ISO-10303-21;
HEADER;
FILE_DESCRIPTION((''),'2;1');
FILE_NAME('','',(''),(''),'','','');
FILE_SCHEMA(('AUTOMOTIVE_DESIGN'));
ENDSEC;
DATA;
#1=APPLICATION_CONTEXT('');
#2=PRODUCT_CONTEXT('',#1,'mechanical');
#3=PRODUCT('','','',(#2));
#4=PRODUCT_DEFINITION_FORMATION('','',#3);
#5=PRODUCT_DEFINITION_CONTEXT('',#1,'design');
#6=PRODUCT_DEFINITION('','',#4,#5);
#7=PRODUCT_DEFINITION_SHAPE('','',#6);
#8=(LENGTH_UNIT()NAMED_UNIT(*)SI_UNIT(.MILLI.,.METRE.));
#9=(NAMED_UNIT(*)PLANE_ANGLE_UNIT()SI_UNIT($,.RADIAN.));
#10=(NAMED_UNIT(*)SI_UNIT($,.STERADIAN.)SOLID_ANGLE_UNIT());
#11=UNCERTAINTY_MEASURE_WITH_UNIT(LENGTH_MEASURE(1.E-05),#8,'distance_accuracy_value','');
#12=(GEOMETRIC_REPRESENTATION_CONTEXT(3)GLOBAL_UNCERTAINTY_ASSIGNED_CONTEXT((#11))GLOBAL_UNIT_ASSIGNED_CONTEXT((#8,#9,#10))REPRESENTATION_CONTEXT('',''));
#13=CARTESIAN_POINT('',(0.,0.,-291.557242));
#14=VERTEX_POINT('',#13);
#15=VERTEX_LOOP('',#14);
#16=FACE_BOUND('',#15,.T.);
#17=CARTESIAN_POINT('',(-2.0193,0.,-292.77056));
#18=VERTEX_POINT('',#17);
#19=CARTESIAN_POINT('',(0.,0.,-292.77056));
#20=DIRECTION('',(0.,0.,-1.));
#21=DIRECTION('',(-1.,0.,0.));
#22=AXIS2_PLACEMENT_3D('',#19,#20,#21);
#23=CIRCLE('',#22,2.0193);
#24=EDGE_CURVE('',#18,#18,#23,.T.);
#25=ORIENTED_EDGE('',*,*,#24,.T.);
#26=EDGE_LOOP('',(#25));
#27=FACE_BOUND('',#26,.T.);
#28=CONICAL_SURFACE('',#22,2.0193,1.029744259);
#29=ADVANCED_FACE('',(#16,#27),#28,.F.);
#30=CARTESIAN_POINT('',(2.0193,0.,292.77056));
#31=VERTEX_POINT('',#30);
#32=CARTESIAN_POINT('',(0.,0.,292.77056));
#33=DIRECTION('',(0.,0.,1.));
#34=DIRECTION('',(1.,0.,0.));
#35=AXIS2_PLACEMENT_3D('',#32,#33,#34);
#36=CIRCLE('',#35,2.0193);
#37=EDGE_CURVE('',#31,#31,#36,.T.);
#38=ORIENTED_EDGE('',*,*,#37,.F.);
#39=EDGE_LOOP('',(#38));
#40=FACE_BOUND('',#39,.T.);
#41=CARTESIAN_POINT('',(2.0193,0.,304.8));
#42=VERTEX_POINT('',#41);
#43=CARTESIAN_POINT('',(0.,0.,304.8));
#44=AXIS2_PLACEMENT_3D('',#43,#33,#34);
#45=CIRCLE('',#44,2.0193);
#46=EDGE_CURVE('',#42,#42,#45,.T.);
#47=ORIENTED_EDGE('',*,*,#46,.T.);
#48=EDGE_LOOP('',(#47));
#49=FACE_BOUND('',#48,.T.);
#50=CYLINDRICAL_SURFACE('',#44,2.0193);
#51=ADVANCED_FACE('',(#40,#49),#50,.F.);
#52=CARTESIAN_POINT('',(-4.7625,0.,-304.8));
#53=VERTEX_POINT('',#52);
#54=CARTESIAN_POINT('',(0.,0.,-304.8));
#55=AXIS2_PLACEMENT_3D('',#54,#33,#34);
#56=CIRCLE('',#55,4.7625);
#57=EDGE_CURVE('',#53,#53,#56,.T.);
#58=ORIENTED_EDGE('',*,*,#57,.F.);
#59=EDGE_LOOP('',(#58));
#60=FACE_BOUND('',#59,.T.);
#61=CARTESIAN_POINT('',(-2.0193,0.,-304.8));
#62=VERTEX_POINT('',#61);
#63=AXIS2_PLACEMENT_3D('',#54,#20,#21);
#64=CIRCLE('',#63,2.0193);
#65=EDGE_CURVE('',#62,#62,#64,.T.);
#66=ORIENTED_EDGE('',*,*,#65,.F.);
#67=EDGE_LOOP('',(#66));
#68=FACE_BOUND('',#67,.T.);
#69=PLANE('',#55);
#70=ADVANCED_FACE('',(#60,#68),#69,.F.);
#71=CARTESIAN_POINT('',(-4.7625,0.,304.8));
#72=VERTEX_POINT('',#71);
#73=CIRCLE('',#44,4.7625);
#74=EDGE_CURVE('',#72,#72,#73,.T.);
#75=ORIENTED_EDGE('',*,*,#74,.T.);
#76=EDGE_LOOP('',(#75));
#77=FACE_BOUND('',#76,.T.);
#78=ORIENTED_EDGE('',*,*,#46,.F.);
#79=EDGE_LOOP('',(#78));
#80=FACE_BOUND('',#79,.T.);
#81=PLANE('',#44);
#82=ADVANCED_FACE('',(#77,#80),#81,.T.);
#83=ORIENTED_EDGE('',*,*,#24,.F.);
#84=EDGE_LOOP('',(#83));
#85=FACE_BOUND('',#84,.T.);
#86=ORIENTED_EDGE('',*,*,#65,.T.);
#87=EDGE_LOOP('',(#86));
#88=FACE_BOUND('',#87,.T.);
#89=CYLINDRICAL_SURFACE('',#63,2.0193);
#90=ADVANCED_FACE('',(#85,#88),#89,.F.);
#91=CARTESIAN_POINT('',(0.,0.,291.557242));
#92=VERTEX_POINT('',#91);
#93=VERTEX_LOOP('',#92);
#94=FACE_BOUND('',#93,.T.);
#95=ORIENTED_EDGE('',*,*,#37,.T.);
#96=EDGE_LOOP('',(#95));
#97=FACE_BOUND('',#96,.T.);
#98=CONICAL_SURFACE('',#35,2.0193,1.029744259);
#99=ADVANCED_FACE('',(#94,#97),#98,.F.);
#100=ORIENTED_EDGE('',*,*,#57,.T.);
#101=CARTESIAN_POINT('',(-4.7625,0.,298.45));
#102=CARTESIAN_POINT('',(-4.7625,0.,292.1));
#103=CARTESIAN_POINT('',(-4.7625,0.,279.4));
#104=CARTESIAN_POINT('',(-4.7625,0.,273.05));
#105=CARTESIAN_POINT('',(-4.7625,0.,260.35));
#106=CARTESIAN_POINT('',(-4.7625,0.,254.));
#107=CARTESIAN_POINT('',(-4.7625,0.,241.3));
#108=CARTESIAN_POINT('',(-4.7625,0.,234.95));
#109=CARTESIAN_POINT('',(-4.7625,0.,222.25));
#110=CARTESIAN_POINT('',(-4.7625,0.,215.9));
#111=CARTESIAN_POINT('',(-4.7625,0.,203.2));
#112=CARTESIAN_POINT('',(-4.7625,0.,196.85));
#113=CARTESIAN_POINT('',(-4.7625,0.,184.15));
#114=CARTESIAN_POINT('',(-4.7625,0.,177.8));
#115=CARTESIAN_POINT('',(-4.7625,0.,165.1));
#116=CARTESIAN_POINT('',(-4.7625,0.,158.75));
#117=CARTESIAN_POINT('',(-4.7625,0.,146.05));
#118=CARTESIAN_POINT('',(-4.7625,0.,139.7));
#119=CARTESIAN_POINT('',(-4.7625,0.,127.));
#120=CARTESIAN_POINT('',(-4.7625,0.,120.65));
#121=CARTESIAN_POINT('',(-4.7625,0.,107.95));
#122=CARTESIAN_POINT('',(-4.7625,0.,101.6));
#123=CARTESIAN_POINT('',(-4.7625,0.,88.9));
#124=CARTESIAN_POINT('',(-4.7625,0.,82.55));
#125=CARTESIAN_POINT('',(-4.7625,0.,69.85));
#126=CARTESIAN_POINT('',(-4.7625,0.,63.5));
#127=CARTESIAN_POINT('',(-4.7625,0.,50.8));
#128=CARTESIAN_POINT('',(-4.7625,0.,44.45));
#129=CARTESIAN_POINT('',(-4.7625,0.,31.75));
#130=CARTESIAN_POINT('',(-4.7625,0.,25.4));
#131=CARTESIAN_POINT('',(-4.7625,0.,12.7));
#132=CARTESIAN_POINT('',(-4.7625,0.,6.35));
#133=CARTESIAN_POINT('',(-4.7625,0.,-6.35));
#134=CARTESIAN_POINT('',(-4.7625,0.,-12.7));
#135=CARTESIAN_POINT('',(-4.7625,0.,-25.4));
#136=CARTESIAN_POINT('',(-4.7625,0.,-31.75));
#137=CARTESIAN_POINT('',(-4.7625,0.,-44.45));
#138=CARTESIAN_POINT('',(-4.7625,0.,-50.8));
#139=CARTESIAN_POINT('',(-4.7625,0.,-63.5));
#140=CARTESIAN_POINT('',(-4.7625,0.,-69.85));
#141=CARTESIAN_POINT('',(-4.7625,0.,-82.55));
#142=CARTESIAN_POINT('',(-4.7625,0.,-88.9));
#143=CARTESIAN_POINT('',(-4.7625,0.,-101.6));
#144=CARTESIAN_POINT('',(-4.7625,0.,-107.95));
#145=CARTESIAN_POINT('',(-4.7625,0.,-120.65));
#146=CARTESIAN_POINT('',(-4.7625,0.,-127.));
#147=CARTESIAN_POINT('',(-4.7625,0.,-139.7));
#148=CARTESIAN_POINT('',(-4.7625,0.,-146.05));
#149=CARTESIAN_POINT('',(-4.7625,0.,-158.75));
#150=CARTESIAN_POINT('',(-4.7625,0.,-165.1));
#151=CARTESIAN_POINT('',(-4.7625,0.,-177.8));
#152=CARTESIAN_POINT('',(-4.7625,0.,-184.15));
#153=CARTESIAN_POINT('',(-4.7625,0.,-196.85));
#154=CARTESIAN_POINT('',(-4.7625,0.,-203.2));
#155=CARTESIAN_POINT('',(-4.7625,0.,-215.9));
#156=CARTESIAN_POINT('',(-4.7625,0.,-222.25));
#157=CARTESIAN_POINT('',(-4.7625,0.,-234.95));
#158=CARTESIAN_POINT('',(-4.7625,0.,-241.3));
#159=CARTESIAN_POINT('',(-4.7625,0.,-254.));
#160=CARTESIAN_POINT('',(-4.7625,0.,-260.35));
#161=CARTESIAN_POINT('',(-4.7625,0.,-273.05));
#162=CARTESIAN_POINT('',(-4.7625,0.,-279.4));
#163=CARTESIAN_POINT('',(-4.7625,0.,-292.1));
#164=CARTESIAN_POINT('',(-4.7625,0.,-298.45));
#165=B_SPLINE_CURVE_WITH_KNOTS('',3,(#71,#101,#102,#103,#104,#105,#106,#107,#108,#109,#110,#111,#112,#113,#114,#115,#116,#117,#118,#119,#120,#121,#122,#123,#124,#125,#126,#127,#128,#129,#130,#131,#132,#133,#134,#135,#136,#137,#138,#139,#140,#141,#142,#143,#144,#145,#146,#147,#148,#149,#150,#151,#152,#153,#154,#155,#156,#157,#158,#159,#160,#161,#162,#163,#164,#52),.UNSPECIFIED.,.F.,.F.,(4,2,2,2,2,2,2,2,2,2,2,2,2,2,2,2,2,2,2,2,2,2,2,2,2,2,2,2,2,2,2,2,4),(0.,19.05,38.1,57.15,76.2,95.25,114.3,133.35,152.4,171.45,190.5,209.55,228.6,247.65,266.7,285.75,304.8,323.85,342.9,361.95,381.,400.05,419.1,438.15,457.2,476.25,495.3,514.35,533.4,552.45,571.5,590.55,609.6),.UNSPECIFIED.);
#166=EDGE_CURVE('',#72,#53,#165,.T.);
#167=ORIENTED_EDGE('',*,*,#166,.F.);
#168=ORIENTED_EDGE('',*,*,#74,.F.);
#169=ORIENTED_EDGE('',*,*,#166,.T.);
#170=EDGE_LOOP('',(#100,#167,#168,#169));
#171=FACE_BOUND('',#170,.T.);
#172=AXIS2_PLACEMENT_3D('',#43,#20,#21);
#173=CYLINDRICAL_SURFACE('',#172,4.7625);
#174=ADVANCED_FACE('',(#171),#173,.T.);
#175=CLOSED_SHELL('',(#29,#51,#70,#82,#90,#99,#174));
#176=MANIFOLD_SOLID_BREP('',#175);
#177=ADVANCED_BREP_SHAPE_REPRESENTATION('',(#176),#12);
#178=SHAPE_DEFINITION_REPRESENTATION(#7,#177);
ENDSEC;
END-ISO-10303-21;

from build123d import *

# Parameters (mm, degrees)
SKETCH1_R                            = 4.7625
BOSS_EXTRUDE1_DEPTH                  = 304.8
F_10_32_TAPPED_HOLE1_D               = 4.0386
F_10_32_TAPPED_HOLE1_DEPTH           = 12.02944
F_10_32_TAPPED_HOLE1_TIP             = 1.213317848
F_10_32_TAPPED_HOLE1_ON_FACE_2_D     = 4.0386
F_10_32_TAPPED_HOLE1_ON_FACE_2_DEPTH = 12.02944
F_10_32_TAPPED_HOLE1_ON_FACE_2_TIP   = 1.213317848


with BuildPart() as part:
    # Sketch1 → Boss-Extrude1 (new, symmetric)
    with BuildSketch(Plane.XY):
        with Locations(Location((0, 0, 0), (0, 0, 180))):
            Circle(SKETCH1_R)
    extrude(amount=BOSS_EXTRUDE1_DEPTH, both=True)

    # #10-32 Tapped Hole1
    with Locations(Plane(origin=(0, 0, -304.8), x_dir=(-1, 0, 0), z_dir=(0, 0, -1))):
        with Locations((0, 0)):
            Hole(F_10_32_TAPPED_HOLE1_D / 2, depth=F_10_32_TAPPED_HOLE1_DEPTH)
            with Locations((0, 0, -(F_10_32_TAPPED_HOLE1_DEPTH + F_10_32_TAPPED_HOLE1_TIP / 2))):  # 118° drill point
                Cone(0, F_10_32_TAPPED_HOLE1_D / 2, F_10_32_TAPPED_HOLE1_TIP, mode=Mode.SUBTRACT)

    # #10-32 Tapped Hole1 on face 2
    with Locations(Plane.XY.offset(304.8)):
        with Locations((0, 0)):
            Hole(F_10_32_TAPPED_HOLE1_ON_FACE_2_D / 2, depth=F_10_32_TAPPED_HOLE1_ON_FACE_2_DEPTH)
            with Locations((0, 0, -(F_10_32_TAPPED_HOLE1_ON_FACE_2_DEPTH + F_10_32_TAPPED_HOLE1_ON_FACE_2_TIP / 2))):  # 118° drill point
                Cone(0, F_10_32_TAPPED_HOLE1_ON_FACE_2_D / 2, F_10_32_TAPPED_HOLE1_ON_FACE_2_TIP, mode=Mode.SUBTRACT)


solid = part.part
